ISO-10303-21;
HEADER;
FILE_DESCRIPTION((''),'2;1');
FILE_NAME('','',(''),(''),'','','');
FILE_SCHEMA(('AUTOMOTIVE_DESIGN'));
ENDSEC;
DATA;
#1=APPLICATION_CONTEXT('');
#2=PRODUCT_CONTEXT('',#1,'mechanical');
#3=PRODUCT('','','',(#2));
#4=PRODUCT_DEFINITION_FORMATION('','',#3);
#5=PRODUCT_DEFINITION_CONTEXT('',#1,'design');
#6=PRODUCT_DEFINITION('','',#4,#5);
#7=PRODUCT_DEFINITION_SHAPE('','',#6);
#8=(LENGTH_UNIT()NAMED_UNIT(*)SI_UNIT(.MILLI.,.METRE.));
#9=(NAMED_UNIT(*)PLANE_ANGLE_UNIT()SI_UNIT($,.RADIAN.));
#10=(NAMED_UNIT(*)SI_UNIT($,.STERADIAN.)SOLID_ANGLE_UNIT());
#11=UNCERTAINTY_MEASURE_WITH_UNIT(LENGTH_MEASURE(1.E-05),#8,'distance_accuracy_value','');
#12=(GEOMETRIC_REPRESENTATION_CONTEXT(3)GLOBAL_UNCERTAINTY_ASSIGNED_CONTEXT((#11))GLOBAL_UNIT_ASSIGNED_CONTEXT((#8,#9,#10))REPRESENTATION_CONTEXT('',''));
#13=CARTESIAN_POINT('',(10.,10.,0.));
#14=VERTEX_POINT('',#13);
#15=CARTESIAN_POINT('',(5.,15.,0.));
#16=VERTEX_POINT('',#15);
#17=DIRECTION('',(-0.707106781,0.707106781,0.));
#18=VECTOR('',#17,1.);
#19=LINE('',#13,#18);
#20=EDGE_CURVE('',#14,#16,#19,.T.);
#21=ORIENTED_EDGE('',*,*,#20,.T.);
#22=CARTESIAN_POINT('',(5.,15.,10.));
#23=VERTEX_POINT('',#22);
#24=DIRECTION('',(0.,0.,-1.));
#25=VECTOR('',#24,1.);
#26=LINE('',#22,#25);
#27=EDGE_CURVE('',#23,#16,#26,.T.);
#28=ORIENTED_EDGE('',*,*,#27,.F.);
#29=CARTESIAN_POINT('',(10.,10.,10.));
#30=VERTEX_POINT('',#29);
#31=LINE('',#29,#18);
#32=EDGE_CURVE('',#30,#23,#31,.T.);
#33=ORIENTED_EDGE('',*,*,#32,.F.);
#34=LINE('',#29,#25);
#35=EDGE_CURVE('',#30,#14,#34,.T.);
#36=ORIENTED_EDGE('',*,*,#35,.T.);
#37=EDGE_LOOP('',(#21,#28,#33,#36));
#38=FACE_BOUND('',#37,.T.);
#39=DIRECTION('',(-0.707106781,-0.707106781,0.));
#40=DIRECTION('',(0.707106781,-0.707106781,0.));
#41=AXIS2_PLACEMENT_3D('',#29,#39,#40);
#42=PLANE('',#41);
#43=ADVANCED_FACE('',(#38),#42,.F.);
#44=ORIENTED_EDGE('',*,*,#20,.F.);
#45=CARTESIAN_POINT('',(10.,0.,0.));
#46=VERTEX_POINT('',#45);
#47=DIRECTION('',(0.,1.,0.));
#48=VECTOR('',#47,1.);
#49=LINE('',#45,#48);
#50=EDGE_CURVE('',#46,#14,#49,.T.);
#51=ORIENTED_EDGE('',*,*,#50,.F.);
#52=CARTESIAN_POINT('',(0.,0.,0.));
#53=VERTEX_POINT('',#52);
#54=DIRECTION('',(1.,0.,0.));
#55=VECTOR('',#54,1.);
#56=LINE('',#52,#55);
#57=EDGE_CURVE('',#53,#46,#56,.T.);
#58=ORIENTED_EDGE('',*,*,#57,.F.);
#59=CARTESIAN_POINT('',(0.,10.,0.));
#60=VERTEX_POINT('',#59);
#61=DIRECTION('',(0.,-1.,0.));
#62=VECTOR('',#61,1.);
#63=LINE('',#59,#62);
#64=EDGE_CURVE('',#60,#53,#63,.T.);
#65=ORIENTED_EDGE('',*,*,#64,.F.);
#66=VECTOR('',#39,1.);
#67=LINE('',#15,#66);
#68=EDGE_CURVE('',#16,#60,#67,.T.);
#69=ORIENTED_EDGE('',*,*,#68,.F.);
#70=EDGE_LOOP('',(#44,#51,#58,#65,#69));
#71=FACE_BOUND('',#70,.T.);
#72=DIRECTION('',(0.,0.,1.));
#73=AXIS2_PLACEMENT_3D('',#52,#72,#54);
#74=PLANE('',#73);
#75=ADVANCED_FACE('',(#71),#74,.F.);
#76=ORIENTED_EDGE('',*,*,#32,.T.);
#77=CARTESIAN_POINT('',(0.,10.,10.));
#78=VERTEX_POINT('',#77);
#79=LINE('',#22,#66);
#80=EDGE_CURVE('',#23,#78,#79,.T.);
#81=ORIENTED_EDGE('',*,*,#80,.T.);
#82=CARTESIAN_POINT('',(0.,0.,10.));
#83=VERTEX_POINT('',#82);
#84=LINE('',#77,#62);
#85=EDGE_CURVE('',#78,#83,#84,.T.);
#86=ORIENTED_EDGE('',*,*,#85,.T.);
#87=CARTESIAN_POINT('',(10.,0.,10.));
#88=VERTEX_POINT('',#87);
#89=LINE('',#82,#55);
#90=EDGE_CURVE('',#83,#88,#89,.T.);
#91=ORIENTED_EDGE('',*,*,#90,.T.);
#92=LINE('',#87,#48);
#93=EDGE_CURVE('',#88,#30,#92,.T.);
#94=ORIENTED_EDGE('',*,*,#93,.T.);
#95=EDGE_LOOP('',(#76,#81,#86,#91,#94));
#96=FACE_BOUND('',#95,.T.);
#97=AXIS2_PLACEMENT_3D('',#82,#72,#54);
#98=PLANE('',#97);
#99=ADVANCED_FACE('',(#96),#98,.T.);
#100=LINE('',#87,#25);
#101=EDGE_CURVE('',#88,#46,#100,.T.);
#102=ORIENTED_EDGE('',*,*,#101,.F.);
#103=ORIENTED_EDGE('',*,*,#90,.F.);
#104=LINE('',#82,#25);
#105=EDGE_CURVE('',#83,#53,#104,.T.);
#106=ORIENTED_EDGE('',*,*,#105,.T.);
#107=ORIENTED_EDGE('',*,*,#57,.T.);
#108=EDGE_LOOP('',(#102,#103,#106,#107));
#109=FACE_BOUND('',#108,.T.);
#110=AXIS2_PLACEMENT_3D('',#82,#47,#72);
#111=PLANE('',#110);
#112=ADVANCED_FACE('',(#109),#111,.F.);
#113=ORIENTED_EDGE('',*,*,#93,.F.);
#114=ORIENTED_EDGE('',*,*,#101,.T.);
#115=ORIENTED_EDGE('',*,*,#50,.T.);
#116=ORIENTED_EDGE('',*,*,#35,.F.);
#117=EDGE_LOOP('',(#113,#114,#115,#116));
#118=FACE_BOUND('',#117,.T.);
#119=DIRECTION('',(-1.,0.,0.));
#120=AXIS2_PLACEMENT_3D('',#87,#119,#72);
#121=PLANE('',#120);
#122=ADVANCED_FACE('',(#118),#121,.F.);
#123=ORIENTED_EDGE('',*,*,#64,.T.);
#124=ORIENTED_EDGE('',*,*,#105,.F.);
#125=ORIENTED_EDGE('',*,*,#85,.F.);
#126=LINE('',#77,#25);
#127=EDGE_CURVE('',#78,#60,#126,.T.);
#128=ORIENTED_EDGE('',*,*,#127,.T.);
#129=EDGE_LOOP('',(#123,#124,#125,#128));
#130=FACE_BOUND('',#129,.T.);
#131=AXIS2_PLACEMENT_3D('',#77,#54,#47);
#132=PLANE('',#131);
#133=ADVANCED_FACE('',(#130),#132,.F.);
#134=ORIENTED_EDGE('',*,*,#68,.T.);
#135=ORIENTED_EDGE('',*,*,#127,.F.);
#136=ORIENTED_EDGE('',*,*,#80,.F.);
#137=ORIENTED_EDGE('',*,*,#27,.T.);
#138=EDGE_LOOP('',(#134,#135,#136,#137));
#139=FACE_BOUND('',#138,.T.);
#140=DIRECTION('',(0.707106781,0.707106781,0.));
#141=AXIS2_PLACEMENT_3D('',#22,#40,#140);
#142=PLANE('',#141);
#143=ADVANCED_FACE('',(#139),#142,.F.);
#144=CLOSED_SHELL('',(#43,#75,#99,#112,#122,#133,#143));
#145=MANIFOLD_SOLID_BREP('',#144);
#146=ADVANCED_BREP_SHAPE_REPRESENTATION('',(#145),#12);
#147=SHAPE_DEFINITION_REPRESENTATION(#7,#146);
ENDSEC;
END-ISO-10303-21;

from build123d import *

# Parameters (mm, degrees)
BOSS_EXTRUDE1_DEPTH = 10


with BuildPart() as part:
    # Sketch1 → Boss-Extrude1 (new body)
    with BuildSketch(Plane.XY):
        Polygon((0, 0), (10, 0), (10, 10), (5, 15), (0, 10), align=None)
    extrude(amount=BOSS_EXTRUDE1_DEPTH)


solid = part.part
